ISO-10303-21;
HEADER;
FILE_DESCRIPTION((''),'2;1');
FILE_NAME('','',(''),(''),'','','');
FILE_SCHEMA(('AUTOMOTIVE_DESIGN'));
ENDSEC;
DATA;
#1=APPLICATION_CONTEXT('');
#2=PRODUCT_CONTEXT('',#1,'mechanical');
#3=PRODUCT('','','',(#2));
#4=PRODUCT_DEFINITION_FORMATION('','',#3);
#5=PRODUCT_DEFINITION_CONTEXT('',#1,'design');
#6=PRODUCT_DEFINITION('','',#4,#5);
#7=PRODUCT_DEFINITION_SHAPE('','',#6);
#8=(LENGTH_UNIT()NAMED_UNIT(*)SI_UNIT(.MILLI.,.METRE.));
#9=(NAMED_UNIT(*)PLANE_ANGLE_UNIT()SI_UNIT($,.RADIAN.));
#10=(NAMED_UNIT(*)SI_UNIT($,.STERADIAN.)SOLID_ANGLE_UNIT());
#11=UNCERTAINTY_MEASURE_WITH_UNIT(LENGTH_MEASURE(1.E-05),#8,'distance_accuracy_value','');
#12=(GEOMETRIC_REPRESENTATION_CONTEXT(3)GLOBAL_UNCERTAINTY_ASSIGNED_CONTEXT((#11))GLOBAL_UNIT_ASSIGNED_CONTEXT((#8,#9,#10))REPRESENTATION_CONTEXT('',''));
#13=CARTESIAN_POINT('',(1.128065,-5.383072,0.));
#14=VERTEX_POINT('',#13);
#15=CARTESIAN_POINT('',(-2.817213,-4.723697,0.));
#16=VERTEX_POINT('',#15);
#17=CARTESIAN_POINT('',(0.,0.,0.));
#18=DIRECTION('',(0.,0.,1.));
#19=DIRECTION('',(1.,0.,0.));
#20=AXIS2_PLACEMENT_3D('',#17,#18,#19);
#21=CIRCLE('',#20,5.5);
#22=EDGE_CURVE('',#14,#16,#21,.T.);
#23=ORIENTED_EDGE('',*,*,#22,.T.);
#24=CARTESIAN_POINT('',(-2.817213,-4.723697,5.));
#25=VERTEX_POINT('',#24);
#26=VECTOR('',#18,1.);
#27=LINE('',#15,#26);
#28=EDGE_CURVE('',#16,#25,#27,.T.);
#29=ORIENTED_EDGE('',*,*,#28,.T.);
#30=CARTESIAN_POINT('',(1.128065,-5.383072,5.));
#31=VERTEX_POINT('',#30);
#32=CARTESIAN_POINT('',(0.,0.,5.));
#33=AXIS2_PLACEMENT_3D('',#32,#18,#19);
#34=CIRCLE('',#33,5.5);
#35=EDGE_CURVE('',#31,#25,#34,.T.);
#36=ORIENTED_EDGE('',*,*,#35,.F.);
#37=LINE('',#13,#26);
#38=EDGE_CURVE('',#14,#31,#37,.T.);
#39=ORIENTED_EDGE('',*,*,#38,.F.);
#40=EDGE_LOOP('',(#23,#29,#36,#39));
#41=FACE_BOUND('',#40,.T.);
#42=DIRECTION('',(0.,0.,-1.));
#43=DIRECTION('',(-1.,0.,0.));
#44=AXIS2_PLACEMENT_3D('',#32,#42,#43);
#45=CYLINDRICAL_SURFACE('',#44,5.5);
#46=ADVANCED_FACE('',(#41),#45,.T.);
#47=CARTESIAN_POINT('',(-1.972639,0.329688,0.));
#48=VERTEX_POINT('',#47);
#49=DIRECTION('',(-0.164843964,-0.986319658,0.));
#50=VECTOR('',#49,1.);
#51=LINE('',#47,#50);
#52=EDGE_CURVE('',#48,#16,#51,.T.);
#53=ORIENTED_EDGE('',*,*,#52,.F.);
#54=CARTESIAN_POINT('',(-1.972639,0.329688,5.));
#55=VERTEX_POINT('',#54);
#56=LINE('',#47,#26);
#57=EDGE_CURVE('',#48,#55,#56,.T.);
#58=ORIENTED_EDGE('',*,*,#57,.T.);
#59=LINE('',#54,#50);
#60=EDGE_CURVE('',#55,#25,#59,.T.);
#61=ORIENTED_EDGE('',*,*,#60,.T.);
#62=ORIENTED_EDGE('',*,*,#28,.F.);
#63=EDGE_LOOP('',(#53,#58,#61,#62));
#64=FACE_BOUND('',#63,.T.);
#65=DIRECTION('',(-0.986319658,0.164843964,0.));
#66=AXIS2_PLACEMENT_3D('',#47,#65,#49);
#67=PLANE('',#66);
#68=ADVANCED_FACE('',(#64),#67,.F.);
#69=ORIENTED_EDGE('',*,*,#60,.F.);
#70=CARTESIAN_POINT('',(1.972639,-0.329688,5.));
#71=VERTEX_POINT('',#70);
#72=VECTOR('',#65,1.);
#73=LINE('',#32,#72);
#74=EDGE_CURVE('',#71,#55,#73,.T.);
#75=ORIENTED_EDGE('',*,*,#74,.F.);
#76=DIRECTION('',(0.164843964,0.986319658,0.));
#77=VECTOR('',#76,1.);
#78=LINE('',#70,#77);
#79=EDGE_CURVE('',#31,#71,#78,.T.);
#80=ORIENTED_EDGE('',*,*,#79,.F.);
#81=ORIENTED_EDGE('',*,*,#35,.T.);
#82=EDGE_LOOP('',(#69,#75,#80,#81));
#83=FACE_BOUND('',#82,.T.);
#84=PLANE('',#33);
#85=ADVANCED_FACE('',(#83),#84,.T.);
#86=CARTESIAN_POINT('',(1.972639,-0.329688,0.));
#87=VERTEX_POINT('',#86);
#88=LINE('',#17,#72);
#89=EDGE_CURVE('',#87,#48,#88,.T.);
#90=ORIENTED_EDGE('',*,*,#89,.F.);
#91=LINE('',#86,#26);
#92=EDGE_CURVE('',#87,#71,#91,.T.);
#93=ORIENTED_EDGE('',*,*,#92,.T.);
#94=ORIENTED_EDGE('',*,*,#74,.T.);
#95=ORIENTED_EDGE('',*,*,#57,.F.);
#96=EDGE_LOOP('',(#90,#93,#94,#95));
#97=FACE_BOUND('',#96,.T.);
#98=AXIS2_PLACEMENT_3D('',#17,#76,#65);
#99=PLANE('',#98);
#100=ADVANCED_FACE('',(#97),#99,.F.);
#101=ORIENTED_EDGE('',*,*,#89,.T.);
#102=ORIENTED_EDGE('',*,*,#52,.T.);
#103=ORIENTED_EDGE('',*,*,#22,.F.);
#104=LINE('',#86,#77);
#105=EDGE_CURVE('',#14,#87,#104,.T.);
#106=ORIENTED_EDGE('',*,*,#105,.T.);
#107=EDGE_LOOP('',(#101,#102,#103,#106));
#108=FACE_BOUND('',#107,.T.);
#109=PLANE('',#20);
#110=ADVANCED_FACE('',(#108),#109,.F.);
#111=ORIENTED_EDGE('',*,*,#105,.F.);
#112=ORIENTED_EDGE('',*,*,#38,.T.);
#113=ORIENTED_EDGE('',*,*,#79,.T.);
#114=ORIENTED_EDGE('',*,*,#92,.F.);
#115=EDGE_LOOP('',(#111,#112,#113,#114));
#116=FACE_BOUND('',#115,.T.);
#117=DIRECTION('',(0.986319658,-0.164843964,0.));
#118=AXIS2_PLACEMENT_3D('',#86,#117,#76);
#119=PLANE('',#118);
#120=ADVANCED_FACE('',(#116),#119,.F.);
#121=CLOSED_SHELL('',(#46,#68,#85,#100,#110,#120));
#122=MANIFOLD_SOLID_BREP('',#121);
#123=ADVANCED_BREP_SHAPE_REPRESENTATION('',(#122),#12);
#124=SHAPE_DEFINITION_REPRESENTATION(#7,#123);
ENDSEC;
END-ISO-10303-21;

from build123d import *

# Parameters (mm, degrees)
SKETCH1_R           = 5.5
BOSS_EXTRUDE1_DEPTH = 5
CUT_EXTRUDE3_DEPTH  = 5


with BuildPart() as part:
    # Sketch1 → Boss-Extrude1 (new body)
    with BuildSketch(Plane.XY):
        Circle(SKETCH1_R)
    extrude(amount=BOSS_EXTRUDE1_DEPTH)

    # Sketch2 → Cut-Extrude3 (cut)
    with BuildSketch(Plane.XY.offset(5)):
        with BuildLine():
            Line((0, 0), (-1.972639316, 0.329687929))
            Line((-1.972639316, 0.329687929), (-2.817213309, -4.723696558))
            add(Edge.make_bspline(
                [(-2.817213309, -4.723696558), (-2.331717092, -5.013604459), (-1.497847825, -5.349651617), (-0.517167494, -5.488823483), (0.280656275, -5.510097286), (0.757829967, -5.460753651), (1.128065322, -5.383072415)],
                knots=[0, 0, 0, 0, 0.414681005, 0.650712608, 0.722388742, 1, 1, 1, 1], degree=3))
            Line((1.128065322, -5.383072415), (1.972639316, -0.329687929))
            Line((1.972639316, -0.329687929), (0, 0))
        make_face()
    extrude(amount=-CUT_EXTRUDE3_DEPTH, mode=Mode.SUBTRACT)


with BuildPart() as cut_extrude3_kept_piece:
    # of the separate pieces the step leaves, the one the design keeps (cut_extrude3_pieces_kept)
    add(part.part.solids().sort_by_distance((1.128065322, -5.383072415, 0))[0])


solid = cut_extrude3_kept_piece.part
